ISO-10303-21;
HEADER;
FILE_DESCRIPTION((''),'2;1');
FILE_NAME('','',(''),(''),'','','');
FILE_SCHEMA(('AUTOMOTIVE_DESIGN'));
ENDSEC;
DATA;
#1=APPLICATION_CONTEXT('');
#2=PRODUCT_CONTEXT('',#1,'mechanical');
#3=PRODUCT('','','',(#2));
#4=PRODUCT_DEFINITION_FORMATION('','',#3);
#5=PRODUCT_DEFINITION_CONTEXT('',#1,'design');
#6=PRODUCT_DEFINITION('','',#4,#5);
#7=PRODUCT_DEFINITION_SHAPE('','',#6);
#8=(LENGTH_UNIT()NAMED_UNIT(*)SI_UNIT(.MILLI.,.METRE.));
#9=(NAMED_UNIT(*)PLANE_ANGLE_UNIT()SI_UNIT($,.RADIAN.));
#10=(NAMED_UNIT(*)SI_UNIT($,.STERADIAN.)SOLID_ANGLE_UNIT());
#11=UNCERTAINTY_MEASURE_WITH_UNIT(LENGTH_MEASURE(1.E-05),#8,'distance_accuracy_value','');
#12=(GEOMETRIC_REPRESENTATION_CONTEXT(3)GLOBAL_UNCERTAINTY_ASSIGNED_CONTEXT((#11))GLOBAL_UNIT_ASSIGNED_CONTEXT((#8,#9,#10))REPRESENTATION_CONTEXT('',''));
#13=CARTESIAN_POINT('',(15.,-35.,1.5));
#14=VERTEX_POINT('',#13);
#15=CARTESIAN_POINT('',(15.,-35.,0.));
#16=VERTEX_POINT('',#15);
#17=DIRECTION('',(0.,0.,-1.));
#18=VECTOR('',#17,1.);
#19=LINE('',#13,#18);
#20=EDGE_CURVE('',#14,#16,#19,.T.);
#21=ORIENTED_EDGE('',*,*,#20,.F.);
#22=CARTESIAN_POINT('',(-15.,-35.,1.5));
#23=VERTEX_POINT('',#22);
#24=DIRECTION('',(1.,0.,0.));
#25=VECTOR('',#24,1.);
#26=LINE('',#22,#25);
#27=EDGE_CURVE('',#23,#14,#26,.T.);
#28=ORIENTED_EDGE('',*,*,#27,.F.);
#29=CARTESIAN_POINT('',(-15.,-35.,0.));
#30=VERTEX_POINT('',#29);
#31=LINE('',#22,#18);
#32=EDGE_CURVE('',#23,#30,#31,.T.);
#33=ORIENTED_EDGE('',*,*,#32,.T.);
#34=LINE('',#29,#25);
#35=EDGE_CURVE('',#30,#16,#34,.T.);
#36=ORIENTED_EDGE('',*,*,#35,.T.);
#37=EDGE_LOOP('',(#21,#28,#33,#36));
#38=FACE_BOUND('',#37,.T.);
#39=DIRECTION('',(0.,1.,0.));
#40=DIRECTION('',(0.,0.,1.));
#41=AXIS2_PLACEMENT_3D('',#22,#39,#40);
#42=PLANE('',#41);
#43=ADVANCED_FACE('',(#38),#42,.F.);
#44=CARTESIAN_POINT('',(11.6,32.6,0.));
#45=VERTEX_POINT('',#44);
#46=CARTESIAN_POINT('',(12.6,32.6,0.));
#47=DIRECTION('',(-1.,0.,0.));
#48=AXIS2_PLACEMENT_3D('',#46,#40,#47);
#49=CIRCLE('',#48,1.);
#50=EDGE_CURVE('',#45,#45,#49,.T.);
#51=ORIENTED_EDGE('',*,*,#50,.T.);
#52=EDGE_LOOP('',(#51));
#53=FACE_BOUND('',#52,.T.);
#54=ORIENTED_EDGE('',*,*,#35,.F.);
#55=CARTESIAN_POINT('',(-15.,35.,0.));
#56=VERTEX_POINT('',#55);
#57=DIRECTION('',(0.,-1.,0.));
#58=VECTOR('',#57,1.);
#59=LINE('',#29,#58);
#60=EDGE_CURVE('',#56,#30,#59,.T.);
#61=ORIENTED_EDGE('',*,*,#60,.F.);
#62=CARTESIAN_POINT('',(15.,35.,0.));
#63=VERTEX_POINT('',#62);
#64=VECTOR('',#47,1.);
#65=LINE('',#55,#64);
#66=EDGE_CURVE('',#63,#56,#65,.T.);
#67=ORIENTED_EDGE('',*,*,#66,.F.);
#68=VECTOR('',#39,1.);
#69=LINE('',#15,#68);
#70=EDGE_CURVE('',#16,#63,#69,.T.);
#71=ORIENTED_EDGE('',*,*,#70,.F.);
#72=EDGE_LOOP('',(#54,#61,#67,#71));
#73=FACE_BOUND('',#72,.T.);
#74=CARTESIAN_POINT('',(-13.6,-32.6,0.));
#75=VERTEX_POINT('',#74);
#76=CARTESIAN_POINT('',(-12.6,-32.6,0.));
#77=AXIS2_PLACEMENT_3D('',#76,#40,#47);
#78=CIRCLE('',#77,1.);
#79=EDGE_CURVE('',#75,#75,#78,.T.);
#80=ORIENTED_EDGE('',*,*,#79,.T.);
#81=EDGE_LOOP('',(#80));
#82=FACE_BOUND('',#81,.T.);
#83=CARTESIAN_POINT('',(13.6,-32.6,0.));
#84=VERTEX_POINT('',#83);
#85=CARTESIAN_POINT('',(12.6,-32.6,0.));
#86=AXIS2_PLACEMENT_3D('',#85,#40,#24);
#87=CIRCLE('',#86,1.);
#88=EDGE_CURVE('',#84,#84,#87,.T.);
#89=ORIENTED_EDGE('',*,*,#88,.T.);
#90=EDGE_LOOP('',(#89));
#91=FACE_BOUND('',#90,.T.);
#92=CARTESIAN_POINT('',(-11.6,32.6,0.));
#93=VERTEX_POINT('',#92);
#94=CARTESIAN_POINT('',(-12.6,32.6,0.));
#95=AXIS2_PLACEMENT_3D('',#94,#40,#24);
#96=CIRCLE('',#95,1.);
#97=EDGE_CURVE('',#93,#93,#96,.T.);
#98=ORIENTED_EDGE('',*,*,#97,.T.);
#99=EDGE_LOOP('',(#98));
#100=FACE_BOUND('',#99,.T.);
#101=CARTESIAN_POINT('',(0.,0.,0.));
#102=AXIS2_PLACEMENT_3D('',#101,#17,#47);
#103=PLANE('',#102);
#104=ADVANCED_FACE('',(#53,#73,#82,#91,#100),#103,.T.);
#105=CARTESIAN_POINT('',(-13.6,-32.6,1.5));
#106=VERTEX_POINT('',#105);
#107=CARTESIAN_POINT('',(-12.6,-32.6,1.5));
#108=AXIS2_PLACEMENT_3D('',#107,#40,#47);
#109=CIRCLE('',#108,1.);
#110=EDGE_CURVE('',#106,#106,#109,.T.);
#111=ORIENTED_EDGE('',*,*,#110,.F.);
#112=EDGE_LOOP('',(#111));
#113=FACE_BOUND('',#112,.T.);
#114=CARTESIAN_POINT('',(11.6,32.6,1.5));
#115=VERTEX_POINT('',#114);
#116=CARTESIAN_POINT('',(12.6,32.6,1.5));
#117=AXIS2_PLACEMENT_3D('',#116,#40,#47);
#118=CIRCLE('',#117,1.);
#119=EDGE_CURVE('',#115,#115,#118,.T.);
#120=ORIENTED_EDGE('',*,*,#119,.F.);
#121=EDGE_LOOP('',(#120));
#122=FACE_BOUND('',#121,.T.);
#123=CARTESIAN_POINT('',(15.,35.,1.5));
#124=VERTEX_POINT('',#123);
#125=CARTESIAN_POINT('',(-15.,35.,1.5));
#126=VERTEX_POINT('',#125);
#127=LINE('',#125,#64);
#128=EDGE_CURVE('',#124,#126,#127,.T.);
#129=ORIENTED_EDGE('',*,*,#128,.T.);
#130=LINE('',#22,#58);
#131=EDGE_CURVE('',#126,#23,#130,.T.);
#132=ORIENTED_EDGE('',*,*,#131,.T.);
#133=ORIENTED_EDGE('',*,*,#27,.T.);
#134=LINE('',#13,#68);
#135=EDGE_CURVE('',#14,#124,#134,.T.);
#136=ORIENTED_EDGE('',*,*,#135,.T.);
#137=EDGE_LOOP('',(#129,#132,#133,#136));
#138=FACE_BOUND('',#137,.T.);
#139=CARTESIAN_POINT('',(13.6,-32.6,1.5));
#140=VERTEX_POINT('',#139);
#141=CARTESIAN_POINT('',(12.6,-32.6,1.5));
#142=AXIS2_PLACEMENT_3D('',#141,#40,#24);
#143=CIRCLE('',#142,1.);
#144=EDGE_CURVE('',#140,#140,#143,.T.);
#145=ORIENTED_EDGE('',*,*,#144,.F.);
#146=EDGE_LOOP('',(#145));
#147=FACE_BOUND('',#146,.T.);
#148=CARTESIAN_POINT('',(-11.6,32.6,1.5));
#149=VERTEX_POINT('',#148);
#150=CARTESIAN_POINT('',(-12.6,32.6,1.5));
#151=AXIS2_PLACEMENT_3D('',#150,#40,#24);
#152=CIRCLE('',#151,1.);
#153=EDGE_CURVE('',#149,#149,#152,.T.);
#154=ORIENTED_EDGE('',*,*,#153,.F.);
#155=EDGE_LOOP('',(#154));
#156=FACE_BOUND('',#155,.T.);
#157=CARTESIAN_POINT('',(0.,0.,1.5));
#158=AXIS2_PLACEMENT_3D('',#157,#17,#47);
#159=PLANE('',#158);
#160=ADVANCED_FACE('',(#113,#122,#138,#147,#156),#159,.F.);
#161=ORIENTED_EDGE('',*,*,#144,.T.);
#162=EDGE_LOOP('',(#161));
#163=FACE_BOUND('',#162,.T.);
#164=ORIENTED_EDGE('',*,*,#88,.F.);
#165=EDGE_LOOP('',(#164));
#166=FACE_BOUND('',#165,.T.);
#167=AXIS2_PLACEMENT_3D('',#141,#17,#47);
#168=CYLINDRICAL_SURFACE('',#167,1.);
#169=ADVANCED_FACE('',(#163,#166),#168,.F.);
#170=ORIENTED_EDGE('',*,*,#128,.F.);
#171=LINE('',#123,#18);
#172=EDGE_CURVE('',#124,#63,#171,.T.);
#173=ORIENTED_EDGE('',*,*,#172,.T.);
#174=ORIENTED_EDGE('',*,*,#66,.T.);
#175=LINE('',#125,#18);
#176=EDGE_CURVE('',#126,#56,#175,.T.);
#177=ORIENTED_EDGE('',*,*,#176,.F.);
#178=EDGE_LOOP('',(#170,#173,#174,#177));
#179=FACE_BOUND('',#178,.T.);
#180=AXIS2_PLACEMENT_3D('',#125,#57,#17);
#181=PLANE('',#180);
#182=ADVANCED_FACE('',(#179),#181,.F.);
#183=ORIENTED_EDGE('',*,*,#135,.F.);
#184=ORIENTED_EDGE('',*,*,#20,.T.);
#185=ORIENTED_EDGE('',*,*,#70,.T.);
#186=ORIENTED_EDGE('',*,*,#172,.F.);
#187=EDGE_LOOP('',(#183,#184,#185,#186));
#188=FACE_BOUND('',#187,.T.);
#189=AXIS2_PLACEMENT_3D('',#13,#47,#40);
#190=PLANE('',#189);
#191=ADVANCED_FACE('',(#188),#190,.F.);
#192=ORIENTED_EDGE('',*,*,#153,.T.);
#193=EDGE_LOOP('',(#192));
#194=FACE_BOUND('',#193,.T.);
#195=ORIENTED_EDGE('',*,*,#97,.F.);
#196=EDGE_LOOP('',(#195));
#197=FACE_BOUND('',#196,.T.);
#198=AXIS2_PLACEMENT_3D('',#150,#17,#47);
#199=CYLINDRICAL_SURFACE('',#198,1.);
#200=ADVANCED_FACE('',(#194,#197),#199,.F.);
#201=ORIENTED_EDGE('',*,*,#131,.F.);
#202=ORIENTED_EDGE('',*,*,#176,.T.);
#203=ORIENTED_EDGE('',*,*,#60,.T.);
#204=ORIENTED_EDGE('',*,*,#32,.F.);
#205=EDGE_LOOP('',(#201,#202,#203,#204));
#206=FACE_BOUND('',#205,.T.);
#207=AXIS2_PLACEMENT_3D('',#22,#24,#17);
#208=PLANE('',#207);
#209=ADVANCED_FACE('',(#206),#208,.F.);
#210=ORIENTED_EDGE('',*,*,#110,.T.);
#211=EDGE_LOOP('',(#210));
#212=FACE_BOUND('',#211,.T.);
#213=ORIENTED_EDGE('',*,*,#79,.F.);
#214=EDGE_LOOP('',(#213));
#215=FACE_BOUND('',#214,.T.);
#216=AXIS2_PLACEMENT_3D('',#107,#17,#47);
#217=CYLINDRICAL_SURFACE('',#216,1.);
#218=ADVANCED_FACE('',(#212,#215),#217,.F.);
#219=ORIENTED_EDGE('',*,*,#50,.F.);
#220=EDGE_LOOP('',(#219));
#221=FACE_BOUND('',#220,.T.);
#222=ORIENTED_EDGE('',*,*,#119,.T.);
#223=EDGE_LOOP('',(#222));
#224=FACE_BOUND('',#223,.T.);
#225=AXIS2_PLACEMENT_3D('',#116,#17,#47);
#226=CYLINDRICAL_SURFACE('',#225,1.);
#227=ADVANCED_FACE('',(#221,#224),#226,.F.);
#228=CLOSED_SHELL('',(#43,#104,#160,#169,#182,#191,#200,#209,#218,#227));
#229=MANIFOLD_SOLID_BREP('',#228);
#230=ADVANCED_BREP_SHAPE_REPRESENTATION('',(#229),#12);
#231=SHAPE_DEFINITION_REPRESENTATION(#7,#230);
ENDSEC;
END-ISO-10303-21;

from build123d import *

# Parameters (mm, degrees)
SKETCH1_W           = 30
SKETCH1_H           = 70
SKETCH1_R           = 1
BOSS_EXTRUDE1_DEPTH = 1.5


with BuildPart() as part:
    # Sketch1 → Boss-Extrude1 (new body)
    with BuildSketch(Plane.XY):
        Rectangle(SKETCH1_W, SKETCH1_H)
        with Locations((-12.6, 32.6)):
            Circle(SKETCH1_R, mode=Mode.SUBTRACT)
        with Locations((12.6, 32.6)):
            Circle(SKETCH1_R, mode=Mode.SUBTRACT)
        with Locations((12.6, -32.6)):
            Circle(SKETCH1_R, mode=Mode.SUBTRACT)
        with Locations((-12.6, -32.6)):
            Circle(SKETCH1_R, mode=Mode.SUBTRACT)
    extrude(amount=BOSS_EXTRUDE1_DEPTH)


solid = part.part
